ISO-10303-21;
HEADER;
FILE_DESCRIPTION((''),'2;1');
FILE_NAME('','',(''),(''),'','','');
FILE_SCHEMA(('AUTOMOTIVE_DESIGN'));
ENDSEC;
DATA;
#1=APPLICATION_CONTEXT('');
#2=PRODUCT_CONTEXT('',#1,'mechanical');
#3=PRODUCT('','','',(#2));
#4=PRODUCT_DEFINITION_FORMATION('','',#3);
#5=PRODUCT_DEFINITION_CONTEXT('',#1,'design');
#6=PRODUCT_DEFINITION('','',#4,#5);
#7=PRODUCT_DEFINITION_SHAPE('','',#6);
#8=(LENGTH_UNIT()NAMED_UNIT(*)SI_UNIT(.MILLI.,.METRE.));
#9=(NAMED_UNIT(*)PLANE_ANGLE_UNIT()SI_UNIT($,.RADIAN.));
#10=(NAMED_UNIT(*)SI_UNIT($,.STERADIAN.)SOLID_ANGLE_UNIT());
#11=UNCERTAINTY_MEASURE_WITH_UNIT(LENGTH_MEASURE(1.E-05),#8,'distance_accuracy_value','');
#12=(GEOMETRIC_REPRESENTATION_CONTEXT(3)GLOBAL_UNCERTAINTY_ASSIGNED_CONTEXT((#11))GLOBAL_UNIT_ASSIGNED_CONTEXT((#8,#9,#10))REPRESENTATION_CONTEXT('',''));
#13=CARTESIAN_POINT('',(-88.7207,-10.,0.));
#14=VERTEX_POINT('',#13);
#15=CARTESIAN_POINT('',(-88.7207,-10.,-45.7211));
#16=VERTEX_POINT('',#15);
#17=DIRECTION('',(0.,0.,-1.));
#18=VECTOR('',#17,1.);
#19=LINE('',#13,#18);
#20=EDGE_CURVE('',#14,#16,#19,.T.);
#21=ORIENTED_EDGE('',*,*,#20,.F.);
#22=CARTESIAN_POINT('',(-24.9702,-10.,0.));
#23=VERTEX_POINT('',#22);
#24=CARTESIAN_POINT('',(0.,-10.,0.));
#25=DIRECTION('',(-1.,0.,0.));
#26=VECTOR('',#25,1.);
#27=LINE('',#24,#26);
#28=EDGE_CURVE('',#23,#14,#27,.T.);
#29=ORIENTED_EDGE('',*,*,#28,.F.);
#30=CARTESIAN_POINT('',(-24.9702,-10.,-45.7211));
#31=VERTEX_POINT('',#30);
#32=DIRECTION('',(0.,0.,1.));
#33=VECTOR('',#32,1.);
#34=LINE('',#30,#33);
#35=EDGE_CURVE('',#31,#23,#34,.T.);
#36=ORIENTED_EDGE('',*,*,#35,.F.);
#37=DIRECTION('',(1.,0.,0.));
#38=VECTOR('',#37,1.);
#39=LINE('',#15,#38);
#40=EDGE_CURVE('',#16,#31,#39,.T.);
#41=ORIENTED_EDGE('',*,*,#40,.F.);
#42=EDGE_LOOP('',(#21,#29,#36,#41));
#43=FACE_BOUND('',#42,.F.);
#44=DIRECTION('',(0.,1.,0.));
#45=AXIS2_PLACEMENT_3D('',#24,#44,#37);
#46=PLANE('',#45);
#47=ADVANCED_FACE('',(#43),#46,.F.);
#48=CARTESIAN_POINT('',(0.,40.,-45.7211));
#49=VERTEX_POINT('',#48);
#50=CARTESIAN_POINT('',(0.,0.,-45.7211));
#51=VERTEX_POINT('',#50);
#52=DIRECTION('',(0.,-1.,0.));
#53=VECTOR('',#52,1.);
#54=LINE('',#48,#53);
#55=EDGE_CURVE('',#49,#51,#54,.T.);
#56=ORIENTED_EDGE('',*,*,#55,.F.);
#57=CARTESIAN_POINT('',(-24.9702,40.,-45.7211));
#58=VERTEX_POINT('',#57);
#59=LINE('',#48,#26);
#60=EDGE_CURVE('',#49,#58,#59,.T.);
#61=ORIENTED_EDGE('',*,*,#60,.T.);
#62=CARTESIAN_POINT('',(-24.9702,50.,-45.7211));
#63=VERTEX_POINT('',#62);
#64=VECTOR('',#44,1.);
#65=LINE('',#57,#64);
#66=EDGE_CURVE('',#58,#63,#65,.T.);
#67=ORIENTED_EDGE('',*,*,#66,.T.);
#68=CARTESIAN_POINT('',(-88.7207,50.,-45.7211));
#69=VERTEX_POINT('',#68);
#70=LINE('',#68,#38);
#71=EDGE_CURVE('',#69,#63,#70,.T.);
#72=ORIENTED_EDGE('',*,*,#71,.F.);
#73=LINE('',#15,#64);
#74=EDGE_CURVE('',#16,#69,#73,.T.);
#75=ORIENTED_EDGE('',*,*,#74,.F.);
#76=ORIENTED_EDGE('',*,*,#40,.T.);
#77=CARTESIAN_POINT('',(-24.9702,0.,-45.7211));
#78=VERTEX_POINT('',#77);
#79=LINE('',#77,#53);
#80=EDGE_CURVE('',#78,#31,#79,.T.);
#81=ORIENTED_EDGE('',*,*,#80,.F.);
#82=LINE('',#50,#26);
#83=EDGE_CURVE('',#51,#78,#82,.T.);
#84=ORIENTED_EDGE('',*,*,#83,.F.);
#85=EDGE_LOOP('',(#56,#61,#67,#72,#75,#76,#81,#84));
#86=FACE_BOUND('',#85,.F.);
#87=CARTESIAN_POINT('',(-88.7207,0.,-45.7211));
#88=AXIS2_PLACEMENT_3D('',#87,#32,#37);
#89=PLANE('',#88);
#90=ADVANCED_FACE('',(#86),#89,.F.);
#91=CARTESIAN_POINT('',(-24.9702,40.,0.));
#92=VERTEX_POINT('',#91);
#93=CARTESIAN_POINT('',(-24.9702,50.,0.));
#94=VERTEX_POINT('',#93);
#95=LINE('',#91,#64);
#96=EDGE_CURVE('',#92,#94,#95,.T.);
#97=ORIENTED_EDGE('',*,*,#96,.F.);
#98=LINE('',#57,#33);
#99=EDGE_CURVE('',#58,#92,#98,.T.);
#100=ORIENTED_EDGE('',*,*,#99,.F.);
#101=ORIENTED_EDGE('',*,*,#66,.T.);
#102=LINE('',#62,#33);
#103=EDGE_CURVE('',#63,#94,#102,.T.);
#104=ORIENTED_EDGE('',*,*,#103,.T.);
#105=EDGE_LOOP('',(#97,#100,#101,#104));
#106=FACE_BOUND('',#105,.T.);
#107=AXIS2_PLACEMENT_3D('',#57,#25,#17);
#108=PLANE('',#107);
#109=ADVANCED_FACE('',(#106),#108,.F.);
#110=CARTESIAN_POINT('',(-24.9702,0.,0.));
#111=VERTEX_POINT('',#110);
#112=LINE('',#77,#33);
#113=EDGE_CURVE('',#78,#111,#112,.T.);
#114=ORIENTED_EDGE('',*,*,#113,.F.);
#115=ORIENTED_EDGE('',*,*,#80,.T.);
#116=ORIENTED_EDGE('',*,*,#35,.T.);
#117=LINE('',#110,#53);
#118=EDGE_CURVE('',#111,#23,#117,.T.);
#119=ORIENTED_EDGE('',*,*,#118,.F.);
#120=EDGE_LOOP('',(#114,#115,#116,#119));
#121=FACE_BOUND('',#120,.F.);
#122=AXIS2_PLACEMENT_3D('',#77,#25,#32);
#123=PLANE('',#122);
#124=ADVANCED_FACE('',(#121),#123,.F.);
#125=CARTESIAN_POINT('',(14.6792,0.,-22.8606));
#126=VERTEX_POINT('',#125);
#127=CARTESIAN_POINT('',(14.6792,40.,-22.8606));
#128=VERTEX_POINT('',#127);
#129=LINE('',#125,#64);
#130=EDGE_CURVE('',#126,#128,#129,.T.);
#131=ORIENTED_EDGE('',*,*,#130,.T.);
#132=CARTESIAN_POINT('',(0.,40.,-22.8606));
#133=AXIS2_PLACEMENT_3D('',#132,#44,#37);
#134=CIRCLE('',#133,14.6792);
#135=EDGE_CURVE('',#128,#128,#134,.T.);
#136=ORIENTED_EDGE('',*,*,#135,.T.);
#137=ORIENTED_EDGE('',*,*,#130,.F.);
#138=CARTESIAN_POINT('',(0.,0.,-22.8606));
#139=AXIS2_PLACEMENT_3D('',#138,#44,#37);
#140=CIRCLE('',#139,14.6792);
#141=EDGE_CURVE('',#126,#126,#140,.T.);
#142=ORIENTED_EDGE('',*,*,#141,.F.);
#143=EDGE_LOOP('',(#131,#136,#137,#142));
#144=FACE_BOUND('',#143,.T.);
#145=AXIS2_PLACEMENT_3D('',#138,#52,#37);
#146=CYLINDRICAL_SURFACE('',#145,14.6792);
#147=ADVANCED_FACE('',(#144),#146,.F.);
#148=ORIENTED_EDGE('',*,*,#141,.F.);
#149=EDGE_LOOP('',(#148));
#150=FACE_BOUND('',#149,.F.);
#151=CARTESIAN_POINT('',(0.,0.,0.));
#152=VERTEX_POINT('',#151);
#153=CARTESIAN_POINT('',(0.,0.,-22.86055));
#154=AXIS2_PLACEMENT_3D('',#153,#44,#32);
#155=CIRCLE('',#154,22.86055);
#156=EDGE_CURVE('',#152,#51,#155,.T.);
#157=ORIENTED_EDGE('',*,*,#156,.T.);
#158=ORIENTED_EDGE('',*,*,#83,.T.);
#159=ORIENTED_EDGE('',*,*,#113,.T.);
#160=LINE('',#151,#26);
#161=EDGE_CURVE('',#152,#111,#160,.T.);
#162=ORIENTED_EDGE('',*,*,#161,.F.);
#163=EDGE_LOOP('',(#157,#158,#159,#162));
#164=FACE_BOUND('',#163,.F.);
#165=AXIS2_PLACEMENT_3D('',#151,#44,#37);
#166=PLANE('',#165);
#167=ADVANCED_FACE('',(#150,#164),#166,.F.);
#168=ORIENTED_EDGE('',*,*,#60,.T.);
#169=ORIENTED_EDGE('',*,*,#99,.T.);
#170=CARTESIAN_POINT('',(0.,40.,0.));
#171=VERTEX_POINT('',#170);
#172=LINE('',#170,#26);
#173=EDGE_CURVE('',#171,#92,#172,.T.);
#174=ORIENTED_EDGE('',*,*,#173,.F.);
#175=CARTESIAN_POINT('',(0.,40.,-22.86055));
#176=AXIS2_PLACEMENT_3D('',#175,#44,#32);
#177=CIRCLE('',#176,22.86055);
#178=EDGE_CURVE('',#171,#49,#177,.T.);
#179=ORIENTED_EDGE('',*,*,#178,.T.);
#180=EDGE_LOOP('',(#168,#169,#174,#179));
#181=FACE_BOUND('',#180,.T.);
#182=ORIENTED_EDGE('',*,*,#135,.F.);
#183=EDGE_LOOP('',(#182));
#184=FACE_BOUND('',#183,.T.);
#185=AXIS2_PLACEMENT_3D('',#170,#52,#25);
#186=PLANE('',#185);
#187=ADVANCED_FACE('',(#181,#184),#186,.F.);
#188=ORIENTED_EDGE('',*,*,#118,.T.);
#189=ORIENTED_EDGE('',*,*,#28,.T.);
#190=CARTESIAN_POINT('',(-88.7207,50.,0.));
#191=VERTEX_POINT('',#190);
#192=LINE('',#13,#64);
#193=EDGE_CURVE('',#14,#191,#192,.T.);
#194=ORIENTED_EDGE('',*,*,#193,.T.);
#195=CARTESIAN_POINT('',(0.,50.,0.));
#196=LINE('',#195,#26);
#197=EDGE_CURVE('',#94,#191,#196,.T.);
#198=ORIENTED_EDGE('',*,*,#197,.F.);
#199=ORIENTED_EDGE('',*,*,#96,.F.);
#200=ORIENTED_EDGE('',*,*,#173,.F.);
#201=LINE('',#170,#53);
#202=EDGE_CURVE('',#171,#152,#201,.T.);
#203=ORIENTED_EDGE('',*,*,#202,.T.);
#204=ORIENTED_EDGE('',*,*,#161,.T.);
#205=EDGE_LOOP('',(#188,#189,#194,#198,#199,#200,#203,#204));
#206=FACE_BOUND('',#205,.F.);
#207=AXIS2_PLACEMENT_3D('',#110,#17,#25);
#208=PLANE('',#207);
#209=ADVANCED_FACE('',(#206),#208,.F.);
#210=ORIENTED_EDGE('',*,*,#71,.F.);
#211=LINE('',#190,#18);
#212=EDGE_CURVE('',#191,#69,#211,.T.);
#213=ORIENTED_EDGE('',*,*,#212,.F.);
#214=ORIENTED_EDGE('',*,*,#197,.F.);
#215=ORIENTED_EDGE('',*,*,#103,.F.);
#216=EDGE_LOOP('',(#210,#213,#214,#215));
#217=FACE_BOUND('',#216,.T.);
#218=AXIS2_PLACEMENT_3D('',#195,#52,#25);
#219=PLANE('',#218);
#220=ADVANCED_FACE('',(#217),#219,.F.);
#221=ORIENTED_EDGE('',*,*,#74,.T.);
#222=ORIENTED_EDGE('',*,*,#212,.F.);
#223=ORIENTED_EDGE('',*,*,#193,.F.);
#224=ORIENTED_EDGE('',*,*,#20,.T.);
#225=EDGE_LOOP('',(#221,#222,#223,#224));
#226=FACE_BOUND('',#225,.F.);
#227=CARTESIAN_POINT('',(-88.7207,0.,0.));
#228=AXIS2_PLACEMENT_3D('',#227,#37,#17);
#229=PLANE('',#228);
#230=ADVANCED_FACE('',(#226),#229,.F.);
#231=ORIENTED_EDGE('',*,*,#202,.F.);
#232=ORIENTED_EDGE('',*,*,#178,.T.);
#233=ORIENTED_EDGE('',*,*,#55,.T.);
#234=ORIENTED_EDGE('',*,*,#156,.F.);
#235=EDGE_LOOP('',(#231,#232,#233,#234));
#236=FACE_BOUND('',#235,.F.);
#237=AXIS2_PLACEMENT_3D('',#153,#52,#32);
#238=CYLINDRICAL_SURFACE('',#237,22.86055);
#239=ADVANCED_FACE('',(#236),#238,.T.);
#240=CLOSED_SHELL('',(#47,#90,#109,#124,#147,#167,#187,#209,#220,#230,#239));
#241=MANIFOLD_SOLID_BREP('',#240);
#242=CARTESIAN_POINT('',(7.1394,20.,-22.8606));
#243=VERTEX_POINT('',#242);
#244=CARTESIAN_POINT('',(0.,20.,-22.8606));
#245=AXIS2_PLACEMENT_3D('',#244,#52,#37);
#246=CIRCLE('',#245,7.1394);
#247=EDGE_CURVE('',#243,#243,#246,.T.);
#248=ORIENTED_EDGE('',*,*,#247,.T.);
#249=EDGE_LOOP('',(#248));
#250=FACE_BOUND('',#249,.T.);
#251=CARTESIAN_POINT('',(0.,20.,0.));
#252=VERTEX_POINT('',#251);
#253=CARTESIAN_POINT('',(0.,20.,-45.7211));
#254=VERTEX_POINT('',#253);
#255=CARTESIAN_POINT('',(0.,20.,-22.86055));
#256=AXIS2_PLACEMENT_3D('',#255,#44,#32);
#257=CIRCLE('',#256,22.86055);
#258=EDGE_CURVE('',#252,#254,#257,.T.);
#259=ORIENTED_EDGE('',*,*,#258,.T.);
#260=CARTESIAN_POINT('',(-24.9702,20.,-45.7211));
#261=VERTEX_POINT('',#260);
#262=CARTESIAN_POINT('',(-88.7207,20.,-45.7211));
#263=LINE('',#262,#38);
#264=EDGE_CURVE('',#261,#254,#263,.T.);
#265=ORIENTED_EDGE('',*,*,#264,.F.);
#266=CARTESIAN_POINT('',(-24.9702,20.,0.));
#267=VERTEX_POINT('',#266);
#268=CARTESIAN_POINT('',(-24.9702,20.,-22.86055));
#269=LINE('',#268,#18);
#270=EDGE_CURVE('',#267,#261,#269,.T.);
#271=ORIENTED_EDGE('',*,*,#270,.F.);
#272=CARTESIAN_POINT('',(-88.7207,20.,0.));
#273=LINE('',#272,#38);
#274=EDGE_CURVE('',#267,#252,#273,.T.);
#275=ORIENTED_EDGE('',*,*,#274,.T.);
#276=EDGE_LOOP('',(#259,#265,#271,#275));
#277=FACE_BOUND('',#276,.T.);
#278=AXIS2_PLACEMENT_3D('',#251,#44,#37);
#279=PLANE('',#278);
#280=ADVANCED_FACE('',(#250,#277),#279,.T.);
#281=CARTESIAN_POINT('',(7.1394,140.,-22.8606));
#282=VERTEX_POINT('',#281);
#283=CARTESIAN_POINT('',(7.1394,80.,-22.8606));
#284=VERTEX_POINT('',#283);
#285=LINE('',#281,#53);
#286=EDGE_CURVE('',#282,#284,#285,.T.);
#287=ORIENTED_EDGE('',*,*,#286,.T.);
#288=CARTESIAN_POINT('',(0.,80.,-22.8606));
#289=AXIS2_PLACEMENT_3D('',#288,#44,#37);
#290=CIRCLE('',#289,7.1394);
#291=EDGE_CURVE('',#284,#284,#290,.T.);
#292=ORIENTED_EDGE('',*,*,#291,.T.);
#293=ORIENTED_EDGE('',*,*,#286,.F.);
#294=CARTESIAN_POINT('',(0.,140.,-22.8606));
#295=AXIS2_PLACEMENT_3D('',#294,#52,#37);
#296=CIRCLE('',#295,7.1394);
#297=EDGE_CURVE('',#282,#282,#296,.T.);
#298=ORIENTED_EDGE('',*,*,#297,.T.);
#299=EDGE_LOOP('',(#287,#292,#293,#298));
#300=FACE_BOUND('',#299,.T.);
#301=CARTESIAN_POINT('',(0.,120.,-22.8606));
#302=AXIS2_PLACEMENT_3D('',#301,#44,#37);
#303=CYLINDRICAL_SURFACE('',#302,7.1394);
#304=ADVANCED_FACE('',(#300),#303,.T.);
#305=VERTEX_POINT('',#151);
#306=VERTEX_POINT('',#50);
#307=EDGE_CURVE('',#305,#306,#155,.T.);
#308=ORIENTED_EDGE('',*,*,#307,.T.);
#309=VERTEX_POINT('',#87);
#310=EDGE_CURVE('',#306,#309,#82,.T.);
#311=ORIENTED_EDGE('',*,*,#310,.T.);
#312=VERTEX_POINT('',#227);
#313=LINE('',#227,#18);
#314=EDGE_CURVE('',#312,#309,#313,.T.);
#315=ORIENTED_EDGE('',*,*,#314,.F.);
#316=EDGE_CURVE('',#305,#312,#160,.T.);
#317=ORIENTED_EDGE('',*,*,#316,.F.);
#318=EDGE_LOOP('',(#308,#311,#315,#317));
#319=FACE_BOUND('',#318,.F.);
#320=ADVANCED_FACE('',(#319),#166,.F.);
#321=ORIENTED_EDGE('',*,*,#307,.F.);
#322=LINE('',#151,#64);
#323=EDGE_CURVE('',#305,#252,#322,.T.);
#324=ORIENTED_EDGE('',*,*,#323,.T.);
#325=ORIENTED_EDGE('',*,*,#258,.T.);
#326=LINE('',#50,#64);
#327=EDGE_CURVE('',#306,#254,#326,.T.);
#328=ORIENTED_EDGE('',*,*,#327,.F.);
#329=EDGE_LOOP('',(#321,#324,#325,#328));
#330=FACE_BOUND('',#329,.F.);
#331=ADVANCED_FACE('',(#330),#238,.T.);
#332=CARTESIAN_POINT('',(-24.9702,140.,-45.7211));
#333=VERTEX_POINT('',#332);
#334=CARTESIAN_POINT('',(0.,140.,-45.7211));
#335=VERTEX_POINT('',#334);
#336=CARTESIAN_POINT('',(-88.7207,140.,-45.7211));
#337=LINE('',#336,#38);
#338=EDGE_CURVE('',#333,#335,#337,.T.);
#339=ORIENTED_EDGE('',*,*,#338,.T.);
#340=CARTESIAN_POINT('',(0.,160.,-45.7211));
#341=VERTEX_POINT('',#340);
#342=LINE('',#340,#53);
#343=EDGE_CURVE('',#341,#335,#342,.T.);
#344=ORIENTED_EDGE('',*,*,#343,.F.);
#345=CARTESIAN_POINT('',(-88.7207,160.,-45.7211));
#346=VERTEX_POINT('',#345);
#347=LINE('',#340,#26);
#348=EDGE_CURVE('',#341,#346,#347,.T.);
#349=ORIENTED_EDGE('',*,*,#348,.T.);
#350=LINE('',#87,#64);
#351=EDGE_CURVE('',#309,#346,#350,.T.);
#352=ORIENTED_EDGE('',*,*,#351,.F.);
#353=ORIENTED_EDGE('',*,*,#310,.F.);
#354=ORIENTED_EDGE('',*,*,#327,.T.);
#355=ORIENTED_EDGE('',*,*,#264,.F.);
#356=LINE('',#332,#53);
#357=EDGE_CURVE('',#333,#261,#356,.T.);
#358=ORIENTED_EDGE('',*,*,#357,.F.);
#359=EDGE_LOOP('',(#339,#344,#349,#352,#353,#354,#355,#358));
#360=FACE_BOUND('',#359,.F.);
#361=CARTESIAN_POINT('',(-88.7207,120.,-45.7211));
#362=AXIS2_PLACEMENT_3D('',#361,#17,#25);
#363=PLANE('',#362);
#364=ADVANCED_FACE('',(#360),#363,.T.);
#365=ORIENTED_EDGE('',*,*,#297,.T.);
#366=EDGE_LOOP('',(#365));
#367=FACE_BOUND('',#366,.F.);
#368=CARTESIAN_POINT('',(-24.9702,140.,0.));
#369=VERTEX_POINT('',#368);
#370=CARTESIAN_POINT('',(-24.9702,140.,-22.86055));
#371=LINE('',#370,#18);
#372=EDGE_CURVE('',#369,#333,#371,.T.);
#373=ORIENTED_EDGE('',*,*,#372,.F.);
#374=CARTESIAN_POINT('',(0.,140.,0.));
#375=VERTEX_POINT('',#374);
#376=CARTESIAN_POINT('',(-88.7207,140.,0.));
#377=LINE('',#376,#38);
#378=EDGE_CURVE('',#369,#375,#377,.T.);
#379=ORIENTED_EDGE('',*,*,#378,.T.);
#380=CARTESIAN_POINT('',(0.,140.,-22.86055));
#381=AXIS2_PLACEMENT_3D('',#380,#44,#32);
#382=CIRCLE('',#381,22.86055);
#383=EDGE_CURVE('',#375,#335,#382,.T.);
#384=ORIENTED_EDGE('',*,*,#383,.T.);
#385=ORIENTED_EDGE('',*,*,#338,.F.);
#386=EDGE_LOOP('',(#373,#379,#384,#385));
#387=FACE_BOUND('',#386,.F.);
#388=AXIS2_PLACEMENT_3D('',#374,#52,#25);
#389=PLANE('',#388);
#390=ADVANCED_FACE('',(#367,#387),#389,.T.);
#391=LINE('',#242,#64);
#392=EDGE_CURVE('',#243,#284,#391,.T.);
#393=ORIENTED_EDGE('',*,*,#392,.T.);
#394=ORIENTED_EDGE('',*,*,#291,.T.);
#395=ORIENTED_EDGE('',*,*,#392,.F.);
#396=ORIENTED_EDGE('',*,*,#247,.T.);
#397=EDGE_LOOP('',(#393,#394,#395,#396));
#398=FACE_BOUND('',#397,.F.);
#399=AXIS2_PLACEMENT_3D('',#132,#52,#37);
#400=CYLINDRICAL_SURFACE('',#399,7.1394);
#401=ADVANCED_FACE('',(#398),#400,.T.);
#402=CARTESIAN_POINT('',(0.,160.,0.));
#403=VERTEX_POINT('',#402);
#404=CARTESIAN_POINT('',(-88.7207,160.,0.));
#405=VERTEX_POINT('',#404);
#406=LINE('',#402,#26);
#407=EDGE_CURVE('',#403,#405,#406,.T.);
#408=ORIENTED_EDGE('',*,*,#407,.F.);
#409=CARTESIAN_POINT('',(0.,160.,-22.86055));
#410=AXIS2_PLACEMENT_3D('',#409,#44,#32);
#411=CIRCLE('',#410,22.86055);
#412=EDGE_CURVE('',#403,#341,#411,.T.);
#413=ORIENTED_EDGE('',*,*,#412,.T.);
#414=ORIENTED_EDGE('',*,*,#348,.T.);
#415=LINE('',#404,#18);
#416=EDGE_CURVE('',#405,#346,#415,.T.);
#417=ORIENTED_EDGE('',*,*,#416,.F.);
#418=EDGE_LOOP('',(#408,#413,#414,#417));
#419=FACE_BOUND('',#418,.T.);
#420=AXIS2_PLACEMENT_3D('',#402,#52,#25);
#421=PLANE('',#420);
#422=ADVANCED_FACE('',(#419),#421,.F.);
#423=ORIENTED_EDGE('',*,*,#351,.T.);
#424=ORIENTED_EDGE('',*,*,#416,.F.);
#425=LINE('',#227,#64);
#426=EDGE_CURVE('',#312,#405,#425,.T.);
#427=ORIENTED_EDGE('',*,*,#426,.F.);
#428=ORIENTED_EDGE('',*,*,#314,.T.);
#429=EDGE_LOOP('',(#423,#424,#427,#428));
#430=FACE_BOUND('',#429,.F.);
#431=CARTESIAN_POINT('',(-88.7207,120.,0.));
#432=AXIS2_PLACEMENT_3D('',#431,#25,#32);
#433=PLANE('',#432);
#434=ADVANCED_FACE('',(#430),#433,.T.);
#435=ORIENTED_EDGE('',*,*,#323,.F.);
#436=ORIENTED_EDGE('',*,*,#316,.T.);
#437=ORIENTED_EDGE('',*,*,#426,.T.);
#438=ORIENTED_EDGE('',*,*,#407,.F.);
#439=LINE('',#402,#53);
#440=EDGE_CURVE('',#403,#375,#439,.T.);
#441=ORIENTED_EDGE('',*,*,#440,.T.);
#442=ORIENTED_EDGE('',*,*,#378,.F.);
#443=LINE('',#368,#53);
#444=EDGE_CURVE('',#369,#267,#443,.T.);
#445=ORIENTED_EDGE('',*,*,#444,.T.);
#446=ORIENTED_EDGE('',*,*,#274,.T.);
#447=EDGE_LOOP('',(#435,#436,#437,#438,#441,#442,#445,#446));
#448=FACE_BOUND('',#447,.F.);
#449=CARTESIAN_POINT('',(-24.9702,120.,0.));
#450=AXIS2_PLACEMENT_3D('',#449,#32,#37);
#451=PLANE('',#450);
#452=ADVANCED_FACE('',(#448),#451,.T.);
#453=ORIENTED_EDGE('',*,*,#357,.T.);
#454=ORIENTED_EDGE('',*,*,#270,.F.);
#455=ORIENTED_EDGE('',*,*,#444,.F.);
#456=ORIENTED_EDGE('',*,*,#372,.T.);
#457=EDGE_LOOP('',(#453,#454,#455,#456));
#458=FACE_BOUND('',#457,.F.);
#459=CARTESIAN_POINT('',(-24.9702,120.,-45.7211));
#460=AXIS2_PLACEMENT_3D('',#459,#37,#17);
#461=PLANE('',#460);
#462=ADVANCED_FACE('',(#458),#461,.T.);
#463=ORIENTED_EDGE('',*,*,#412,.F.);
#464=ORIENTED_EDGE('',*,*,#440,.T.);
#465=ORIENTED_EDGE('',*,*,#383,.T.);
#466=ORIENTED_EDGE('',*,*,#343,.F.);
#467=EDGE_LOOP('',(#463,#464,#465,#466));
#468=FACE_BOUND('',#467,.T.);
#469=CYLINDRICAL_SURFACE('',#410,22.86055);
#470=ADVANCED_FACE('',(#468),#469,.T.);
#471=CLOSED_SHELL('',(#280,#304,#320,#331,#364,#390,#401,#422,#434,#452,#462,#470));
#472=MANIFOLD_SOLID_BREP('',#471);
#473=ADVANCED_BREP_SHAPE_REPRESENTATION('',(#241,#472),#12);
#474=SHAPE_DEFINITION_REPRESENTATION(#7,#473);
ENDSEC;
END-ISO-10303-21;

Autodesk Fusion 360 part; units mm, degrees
sketch "Sketch1" plane through (0, 0, 0) normal (0, 1, 0) x (1, 0, 0)
  line L0 (-88.7207, 45.7211) -> (0, 45.7211)
  line L1 (0, 0) -> (-88.7207, 0)
  line L2 (-88.7207, 0) -> (-88.7207, 45.7211)
  arc A0 (0, 0) -> (0, 45.7211) centre (0, 22.8606) ccw
  circle A1 centre (0, 22.8606) radius 14.6792
  circle A2 centre (0, 22.8606) radius 7.1394
  line L3 (-24.9702, 45.7211) -> (-24.9702, 0)
  dimension "d2" = 88.7207
extrude "Extrude5" add sketch "Sketch1" along normal blind 30 contours L0 L1 L2 L3 | L0 L1 A0 L3 makes body 1
extrude "Extrude1" add sketch "Sketch1" along normal blind 20 separate body contours L0 L1 L2 L3 | L0 L1 A0 L3 | A1 | A2 makes body 2
extrude "Extrude2" add sketch "Sketch1" along normal blind 40 contours L0 L1 L2 L3 | A2 bodies 2
ref_plane "WorkPlane1" through (-1.0548, 20, -22.8606) normal (0, 1, 0) x (1, 0, 0)
extrude "Extrude3" add 1 faces at (2.1441, 40, -23.8931) along direction (0, 1, 0) blind 40 on bodies 2 bodies 2
extrude "Extrude4" add 1 faces at (-67.4705, 40, -30.4807) along direction (0, 1, 0) blind 40 on bodies 2 bodies 2
ref_plane "WorkPlane2" through (0, 80, -22.8606) normal (0, 1, 0) x (1, 0, 0)
mirror "Mirror1" about plane through (0, 80, -22.8606) normal (0, 1, 0) of bodies 2 makes body 3
combine "Combine1" operation add target body 3 tool bodies 2
copy_body "Body->Comp1" bodies 3 removing the originals makes body 4 in component "Component"
extrude "Extrude6" add sketch "Sketch1" along normal blind 5 contours L0 L1 L2 L3 bodies 1
extrude "Extrude7" add sketch "Sketch1" against normal blind 10 contours L0 L1 L2 L3 bodies 1
ref_plane "WorkPlane3" through (-32.9301, 15, -22.8606) normal (0, 1, 0) x (1, 0, 0)
mirror "Mirror2" about plane through (-1.0548, 20, -22.8606) normal (0, 1, 0) of bodies 1 makes body 5
combine "Combine2" operation add target body 1 tool bodies 5
copy_body "Body->Comp2" bodies 1 removing the originals makes body 6 in component "Component'"
component "Component" placed x (1, 0, 0) y (0, 1, 0) z (0, 0, 1) at (0, 0, 0)
component "Component'" placed x (1, 0, 0) y (0, 1, 0) z (0, 0, 1) at (0, 0, 0)
